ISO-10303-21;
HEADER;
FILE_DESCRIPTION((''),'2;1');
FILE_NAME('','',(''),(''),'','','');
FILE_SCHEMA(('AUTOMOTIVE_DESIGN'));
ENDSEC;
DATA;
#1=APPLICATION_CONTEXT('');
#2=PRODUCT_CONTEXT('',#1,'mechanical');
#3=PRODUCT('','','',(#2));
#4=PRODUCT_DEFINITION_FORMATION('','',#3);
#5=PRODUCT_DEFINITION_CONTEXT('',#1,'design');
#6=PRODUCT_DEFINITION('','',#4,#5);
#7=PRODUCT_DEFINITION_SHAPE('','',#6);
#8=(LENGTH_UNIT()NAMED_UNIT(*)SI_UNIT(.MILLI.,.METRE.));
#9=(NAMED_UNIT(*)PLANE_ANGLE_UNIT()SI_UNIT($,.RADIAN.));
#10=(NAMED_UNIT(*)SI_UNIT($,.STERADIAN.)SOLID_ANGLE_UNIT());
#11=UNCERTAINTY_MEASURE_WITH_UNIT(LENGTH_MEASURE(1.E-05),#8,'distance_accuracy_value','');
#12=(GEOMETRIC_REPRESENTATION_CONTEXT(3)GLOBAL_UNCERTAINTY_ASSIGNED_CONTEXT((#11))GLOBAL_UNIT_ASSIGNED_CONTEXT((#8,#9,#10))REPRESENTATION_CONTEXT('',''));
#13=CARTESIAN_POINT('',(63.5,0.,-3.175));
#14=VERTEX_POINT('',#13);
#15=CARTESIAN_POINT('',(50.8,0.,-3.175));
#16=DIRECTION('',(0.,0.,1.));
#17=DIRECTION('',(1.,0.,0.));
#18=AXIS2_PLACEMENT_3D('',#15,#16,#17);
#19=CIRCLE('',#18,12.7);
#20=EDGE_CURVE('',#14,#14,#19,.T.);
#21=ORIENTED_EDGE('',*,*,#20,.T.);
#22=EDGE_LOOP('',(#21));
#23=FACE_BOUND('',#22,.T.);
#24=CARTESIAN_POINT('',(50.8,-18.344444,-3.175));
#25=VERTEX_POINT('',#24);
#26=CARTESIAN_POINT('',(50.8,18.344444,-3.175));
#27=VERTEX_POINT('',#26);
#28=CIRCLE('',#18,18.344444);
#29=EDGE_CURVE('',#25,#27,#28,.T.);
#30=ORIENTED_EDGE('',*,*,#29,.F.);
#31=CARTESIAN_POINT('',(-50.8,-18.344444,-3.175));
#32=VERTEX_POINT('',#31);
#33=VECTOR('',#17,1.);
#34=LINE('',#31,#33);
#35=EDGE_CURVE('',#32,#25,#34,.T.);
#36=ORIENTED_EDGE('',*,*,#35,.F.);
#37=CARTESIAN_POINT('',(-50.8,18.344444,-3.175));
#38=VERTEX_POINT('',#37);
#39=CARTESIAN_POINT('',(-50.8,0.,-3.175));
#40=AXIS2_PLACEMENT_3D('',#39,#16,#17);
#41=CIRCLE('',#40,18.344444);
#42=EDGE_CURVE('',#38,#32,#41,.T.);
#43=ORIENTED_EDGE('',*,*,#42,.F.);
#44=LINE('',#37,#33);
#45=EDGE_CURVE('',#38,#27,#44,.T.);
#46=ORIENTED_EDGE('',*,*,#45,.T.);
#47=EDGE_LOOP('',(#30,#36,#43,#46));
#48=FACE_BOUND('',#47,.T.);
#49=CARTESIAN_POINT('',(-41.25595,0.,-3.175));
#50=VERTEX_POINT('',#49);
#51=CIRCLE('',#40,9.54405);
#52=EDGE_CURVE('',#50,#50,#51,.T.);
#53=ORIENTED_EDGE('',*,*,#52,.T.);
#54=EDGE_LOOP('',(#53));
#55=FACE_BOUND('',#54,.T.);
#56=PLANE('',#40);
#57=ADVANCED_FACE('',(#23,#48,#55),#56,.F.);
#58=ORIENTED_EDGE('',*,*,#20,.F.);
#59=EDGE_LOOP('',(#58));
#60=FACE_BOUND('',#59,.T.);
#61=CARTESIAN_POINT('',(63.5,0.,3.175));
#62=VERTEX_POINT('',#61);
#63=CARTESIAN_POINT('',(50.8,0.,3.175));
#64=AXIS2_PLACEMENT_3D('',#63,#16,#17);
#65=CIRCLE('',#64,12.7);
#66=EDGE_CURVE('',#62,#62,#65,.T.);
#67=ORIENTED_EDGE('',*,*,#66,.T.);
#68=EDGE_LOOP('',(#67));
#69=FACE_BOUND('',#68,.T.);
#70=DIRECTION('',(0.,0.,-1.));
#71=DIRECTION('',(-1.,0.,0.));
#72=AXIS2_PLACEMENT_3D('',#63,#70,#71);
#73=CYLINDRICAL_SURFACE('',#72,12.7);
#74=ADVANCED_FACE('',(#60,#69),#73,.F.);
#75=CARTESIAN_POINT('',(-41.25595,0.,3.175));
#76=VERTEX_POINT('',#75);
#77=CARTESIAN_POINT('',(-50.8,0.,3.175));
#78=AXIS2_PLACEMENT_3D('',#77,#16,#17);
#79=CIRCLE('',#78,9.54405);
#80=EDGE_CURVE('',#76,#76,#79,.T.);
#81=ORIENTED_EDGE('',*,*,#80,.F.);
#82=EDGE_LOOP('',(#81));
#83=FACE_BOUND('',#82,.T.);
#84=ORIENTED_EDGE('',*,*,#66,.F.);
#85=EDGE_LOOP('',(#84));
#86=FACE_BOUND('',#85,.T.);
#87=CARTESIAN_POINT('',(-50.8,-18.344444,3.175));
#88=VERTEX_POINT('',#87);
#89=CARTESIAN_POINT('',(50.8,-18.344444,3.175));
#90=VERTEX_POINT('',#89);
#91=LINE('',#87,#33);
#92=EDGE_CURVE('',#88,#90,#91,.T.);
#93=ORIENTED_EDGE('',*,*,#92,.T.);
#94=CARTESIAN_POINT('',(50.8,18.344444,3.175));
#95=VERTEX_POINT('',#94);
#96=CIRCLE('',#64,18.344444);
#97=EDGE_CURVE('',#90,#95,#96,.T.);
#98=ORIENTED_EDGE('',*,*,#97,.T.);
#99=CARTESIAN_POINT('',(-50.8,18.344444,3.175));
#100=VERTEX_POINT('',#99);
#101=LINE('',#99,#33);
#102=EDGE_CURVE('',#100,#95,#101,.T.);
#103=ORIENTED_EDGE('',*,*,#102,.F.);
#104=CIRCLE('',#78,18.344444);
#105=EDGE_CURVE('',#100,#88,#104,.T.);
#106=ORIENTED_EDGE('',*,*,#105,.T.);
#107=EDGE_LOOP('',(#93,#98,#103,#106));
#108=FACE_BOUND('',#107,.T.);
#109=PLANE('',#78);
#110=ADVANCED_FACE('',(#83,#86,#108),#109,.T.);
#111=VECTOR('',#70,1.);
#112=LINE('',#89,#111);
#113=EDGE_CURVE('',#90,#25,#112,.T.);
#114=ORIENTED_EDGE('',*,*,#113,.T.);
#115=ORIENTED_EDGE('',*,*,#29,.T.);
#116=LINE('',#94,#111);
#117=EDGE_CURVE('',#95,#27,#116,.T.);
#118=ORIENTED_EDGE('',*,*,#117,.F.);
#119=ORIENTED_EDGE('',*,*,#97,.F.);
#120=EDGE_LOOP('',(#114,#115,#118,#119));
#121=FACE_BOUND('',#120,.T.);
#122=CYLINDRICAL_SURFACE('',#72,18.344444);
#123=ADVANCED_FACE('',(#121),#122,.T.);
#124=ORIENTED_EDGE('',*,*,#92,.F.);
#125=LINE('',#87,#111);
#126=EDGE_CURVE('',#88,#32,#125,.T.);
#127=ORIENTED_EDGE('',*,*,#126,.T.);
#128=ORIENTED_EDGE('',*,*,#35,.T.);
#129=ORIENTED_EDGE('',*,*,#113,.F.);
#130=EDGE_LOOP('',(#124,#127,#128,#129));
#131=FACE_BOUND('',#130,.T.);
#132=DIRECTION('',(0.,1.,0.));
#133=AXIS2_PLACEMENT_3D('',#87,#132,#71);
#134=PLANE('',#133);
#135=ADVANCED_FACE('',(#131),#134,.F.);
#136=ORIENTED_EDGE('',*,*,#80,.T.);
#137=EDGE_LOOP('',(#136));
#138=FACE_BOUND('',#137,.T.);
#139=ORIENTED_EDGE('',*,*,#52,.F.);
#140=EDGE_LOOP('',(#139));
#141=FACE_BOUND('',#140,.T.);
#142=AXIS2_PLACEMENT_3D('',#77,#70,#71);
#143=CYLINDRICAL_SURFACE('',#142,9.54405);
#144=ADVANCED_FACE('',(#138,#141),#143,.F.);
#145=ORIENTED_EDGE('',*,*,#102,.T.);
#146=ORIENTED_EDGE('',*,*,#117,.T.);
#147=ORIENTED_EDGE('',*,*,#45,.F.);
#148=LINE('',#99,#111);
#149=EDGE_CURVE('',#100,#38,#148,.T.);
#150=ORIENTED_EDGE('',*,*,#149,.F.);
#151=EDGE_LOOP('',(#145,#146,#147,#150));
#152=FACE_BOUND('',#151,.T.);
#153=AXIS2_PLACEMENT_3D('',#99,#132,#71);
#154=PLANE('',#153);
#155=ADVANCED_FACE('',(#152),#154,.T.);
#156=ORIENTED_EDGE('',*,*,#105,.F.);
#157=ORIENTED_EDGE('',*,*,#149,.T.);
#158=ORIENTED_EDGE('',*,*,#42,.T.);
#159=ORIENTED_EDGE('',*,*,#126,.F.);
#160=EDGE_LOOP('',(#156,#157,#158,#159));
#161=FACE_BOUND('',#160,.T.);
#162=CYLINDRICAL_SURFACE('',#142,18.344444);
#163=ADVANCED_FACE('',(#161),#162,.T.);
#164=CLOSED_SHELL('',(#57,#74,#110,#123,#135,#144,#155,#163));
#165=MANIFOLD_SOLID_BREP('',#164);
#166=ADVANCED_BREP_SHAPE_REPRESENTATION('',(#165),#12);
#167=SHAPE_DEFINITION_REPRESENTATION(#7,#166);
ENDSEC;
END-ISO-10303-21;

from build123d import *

# Parameters (mm, degrees)
SKETCH1_R           = 9.54405
SKETCH1_R_2         = 12.7
BOSS_EXTRUDE1_DEPTH = 3.175


with BuildPart() as part:
    # Sketch1 → Boss-Extrude1 (new, symmetric)
    with BuildSketch(Plane.XY):
        with BuildLine():
            Line((-50.8, 18.344444444), (50.8, 18.344444444))
            ThreePointArc((50.8, 18.344444444), (69.144444444, 0), (50.8, -18.344444444))
            Line((50.8, -18.344444444), (-50.8, -18.344444444))
            ThreePointArc((-50.8, -18.344444444), (-69.144444444, 0), (-50.8, 18.344444444))
        make_face()
        with Locations((-50.8, 0)):
            Circle(SKETCH1_R, mode=Mode.SUBTRACT)
        with Locations((50.8, 0)):
            Circle(SKETCH1_R_2, mode=Mode.SUBTRACT)
    extrude(amount=BOSS_EXTRUDE1_DEPTH, both=True)


solid = part.part
